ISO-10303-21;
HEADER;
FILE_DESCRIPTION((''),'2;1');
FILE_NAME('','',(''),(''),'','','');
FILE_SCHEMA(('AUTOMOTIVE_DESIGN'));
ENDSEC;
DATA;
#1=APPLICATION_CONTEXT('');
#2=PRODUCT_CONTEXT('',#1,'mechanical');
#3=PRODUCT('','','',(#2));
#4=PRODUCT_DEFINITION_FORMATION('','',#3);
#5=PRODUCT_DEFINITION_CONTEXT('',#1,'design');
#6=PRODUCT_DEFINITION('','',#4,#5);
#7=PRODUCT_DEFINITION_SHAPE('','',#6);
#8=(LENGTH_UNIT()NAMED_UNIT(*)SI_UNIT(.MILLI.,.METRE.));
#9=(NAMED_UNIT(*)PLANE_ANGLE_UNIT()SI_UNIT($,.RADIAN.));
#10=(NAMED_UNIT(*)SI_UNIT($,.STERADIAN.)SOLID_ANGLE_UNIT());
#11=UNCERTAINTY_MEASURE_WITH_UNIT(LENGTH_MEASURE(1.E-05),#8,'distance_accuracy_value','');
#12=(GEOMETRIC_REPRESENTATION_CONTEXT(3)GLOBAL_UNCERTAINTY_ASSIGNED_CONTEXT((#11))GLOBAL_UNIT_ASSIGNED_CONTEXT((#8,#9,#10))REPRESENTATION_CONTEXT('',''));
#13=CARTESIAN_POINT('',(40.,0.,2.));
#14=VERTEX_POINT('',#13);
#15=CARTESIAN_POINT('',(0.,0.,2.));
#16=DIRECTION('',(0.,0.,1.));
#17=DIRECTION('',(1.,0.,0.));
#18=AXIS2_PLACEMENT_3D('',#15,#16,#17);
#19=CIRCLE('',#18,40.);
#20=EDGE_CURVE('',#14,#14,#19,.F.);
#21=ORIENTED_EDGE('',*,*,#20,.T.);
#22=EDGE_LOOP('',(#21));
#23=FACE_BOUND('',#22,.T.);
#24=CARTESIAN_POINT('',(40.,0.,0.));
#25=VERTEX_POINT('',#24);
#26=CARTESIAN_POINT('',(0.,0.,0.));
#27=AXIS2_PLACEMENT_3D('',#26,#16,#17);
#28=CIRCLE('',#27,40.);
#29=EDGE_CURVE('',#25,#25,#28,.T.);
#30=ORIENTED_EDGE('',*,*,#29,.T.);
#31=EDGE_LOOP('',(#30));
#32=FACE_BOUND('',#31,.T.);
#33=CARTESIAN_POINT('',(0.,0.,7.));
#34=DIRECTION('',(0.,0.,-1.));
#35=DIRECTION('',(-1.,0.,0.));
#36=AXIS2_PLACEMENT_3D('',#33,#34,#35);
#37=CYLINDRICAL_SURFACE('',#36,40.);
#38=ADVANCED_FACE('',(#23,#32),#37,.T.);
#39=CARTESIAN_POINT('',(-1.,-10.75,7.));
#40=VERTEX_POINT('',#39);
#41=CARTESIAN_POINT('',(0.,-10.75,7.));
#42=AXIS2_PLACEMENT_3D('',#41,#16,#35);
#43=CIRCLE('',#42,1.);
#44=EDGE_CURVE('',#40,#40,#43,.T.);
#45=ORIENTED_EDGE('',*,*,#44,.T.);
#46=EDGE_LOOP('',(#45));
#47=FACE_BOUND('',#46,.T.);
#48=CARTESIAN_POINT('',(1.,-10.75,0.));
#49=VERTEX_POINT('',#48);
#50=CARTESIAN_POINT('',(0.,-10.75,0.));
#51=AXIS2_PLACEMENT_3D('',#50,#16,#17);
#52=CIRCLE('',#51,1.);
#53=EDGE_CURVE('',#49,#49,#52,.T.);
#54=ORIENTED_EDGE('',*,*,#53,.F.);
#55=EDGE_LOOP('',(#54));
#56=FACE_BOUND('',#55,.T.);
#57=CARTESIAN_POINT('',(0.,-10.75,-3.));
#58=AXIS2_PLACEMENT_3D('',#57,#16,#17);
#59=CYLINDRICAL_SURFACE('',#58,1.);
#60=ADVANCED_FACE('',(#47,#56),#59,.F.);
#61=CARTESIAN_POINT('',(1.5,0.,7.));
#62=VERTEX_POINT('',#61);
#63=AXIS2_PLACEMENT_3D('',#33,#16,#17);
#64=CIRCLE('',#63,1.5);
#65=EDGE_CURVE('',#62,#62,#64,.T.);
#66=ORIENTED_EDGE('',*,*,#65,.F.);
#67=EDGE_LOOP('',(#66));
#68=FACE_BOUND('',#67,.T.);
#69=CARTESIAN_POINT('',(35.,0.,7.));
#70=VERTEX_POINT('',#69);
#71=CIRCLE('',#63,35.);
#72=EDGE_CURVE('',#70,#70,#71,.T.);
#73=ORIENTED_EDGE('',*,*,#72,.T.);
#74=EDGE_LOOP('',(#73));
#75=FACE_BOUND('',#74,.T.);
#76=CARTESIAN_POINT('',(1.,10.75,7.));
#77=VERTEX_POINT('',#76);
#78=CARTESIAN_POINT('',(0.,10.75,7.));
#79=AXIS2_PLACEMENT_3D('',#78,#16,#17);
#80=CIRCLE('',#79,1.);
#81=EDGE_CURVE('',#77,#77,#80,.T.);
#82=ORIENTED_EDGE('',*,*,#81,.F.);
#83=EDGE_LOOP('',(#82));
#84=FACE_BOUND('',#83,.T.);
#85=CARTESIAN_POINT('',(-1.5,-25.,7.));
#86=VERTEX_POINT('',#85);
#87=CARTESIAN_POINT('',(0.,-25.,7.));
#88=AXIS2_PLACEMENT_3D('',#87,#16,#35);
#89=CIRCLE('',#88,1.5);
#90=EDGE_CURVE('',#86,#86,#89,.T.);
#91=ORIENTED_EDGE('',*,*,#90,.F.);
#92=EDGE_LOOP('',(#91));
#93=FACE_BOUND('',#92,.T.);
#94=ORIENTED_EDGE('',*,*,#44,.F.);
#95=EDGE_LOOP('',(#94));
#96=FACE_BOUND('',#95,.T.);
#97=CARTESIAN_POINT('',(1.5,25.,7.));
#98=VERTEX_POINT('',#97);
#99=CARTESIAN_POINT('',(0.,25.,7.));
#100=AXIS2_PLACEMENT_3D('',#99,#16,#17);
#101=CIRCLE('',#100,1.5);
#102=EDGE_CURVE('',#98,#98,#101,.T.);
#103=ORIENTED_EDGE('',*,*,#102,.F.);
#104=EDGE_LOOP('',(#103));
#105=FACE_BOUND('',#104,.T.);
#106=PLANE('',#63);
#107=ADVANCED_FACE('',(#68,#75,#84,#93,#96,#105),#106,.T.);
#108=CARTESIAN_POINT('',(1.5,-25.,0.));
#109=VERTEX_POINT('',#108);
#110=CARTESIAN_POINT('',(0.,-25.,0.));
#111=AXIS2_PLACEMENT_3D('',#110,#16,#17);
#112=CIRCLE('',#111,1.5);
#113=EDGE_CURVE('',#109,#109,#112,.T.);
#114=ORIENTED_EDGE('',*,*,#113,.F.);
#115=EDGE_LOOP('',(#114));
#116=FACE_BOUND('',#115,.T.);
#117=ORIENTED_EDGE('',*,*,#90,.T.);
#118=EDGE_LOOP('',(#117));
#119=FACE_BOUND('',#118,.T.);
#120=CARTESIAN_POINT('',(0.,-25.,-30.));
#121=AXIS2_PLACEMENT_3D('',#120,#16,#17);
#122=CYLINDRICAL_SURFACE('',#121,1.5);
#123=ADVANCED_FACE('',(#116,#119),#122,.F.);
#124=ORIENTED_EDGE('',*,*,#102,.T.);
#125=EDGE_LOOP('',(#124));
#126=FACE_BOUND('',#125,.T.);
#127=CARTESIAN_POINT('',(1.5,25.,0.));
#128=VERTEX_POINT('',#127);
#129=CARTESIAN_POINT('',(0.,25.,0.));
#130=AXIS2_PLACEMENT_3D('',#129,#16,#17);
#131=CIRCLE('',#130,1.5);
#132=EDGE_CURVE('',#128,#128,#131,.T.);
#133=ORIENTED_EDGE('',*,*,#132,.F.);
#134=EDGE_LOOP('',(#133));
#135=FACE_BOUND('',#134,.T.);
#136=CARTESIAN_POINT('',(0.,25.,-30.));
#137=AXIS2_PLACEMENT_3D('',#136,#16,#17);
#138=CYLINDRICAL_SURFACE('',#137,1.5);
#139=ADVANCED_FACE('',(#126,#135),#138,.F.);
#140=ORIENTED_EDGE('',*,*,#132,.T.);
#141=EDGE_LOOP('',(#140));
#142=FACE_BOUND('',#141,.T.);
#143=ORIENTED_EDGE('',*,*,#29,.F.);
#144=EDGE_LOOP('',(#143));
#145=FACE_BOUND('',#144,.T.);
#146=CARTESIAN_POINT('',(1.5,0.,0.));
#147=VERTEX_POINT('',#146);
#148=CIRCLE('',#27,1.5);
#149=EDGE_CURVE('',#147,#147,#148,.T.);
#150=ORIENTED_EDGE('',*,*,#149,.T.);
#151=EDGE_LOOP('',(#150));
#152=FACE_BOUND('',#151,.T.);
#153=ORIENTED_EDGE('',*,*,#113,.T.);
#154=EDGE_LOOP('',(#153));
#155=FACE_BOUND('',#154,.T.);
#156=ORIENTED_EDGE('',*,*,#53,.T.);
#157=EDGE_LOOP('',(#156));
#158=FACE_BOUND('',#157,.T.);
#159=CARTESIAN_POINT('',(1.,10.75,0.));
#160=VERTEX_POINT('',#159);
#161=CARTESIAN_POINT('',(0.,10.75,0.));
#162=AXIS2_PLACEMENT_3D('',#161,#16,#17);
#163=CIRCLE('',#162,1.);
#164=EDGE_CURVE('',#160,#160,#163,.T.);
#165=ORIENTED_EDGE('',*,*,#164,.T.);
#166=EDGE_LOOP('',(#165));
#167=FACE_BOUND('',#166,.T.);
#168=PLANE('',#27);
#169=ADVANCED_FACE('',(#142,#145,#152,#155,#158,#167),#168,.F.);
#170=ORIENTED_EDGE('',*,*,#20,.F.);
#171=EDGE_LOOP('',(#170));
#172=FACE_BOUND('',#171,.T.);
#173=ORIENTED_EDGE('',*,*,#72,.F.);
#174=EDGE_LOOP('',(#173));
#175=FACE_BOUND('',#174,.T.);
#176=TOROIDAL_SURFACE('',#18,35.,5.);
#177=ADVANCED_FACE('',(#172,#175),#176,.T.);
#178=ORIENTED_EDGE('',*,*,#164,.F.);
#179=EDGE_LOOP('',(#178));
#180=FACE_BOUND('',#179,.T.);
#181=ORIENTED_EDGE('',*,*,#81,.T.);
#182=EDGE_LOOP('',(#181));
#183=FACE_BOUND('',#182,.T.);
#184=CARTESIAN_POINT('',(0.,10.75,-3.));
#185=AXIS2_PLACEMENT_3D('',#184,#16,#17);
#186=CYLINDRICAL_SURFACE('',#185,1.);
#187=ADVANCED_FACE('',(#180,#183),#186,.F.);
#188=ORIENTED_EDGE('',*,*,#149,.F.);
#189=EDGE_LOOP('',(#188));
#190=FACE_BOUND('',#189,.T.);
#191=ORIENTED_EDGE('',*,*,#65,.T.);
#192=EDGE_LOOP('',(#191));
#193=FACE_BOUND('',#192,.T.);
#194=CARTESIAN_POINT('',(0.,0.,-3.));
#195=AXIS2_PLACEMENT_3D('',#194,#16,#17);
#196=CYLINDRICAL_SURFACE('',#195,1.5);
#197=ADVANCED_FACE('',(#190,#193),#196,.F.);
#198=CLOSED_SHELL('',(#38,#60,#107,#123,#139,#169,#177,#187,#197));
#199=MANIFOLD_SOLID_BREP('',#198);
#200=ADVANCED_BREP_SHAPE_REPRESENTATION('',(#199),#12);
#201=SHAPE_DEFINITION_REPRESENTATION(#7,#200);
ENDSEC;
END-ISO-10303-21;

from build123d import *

# Parameters (mm, degrees)
SCHIZZO1_R                   = 40
ESTRUSIONE_ESTRUSIONE1_DEPTH = 7
RACCORDO1_R                  = 5
SCHIZZO2_R                   = 1.5
TAGLIO_ESTRUSIONE1_DEPTH     = 37
SCHIZZO3_R                   = 1
TAGLIO_ESTRUSIONE2_DEPTH     = 10
SCHIZZO4_R                   = 1.5
TAGLIO_ESTRUSIONE3_DEPTH     = 10


with BuildPart() as part:
    # Schizzo1 → Estrusione-Estrusione1 (new body)
    with BuildSketch(Plane.XY):
        Circle(SCHIZZO1_R)
    extrude(amount=ESTRUSIONE_ESTRUSIONE1_DEPTH)

    # Raccordo1
    raccordo1_edges = [part.edges().sort_by_distance(p)[0] for p in [
        (-40, 0, 7),
    ]]
    fillet(raccordo1_edges, radius=RACCORDO1_R)

    # Schizzo2 → Taglio-Estrusione1 (cut)
    with BuildSketch(Plane.XY.offset(7)):
        with Locations((0, 25)):
            Circle(SCHIZZO2_R)
        with Locations((0, -25)):
            Circle(SCHIZZO2_R)
    extrude(amount=-TAGLIO_ESTRUSIONE1_DEPTH, mode=Mode.SUBTRACT)

    # Schizzo3 → Taglio-Estrusione2 (cut)
    with BuildSketch(Plane.XY.offset(7)):
        with Locations((0, 10.75)):
            Circle(SCHIZZO3_R)
        with Locations((0, -10.75)):
            Circle(SCHIZZO3_R)
    extrude(amount=-TAGLIO_ESTRUSIONE2_DEPTH, mode=Mode.SUBTRACT)

    # Schizzo4 → Taglio-Estrusione3 (cut)
    with BuildSketch(Plane.XY.offset(7)):
        Circle(SCHIZZO4_R)
    extrude(amount=-TAGLIO_ESTRUSIONE3_DEPTH, mode=Mode.SUBTRACT)


solid = part.part
